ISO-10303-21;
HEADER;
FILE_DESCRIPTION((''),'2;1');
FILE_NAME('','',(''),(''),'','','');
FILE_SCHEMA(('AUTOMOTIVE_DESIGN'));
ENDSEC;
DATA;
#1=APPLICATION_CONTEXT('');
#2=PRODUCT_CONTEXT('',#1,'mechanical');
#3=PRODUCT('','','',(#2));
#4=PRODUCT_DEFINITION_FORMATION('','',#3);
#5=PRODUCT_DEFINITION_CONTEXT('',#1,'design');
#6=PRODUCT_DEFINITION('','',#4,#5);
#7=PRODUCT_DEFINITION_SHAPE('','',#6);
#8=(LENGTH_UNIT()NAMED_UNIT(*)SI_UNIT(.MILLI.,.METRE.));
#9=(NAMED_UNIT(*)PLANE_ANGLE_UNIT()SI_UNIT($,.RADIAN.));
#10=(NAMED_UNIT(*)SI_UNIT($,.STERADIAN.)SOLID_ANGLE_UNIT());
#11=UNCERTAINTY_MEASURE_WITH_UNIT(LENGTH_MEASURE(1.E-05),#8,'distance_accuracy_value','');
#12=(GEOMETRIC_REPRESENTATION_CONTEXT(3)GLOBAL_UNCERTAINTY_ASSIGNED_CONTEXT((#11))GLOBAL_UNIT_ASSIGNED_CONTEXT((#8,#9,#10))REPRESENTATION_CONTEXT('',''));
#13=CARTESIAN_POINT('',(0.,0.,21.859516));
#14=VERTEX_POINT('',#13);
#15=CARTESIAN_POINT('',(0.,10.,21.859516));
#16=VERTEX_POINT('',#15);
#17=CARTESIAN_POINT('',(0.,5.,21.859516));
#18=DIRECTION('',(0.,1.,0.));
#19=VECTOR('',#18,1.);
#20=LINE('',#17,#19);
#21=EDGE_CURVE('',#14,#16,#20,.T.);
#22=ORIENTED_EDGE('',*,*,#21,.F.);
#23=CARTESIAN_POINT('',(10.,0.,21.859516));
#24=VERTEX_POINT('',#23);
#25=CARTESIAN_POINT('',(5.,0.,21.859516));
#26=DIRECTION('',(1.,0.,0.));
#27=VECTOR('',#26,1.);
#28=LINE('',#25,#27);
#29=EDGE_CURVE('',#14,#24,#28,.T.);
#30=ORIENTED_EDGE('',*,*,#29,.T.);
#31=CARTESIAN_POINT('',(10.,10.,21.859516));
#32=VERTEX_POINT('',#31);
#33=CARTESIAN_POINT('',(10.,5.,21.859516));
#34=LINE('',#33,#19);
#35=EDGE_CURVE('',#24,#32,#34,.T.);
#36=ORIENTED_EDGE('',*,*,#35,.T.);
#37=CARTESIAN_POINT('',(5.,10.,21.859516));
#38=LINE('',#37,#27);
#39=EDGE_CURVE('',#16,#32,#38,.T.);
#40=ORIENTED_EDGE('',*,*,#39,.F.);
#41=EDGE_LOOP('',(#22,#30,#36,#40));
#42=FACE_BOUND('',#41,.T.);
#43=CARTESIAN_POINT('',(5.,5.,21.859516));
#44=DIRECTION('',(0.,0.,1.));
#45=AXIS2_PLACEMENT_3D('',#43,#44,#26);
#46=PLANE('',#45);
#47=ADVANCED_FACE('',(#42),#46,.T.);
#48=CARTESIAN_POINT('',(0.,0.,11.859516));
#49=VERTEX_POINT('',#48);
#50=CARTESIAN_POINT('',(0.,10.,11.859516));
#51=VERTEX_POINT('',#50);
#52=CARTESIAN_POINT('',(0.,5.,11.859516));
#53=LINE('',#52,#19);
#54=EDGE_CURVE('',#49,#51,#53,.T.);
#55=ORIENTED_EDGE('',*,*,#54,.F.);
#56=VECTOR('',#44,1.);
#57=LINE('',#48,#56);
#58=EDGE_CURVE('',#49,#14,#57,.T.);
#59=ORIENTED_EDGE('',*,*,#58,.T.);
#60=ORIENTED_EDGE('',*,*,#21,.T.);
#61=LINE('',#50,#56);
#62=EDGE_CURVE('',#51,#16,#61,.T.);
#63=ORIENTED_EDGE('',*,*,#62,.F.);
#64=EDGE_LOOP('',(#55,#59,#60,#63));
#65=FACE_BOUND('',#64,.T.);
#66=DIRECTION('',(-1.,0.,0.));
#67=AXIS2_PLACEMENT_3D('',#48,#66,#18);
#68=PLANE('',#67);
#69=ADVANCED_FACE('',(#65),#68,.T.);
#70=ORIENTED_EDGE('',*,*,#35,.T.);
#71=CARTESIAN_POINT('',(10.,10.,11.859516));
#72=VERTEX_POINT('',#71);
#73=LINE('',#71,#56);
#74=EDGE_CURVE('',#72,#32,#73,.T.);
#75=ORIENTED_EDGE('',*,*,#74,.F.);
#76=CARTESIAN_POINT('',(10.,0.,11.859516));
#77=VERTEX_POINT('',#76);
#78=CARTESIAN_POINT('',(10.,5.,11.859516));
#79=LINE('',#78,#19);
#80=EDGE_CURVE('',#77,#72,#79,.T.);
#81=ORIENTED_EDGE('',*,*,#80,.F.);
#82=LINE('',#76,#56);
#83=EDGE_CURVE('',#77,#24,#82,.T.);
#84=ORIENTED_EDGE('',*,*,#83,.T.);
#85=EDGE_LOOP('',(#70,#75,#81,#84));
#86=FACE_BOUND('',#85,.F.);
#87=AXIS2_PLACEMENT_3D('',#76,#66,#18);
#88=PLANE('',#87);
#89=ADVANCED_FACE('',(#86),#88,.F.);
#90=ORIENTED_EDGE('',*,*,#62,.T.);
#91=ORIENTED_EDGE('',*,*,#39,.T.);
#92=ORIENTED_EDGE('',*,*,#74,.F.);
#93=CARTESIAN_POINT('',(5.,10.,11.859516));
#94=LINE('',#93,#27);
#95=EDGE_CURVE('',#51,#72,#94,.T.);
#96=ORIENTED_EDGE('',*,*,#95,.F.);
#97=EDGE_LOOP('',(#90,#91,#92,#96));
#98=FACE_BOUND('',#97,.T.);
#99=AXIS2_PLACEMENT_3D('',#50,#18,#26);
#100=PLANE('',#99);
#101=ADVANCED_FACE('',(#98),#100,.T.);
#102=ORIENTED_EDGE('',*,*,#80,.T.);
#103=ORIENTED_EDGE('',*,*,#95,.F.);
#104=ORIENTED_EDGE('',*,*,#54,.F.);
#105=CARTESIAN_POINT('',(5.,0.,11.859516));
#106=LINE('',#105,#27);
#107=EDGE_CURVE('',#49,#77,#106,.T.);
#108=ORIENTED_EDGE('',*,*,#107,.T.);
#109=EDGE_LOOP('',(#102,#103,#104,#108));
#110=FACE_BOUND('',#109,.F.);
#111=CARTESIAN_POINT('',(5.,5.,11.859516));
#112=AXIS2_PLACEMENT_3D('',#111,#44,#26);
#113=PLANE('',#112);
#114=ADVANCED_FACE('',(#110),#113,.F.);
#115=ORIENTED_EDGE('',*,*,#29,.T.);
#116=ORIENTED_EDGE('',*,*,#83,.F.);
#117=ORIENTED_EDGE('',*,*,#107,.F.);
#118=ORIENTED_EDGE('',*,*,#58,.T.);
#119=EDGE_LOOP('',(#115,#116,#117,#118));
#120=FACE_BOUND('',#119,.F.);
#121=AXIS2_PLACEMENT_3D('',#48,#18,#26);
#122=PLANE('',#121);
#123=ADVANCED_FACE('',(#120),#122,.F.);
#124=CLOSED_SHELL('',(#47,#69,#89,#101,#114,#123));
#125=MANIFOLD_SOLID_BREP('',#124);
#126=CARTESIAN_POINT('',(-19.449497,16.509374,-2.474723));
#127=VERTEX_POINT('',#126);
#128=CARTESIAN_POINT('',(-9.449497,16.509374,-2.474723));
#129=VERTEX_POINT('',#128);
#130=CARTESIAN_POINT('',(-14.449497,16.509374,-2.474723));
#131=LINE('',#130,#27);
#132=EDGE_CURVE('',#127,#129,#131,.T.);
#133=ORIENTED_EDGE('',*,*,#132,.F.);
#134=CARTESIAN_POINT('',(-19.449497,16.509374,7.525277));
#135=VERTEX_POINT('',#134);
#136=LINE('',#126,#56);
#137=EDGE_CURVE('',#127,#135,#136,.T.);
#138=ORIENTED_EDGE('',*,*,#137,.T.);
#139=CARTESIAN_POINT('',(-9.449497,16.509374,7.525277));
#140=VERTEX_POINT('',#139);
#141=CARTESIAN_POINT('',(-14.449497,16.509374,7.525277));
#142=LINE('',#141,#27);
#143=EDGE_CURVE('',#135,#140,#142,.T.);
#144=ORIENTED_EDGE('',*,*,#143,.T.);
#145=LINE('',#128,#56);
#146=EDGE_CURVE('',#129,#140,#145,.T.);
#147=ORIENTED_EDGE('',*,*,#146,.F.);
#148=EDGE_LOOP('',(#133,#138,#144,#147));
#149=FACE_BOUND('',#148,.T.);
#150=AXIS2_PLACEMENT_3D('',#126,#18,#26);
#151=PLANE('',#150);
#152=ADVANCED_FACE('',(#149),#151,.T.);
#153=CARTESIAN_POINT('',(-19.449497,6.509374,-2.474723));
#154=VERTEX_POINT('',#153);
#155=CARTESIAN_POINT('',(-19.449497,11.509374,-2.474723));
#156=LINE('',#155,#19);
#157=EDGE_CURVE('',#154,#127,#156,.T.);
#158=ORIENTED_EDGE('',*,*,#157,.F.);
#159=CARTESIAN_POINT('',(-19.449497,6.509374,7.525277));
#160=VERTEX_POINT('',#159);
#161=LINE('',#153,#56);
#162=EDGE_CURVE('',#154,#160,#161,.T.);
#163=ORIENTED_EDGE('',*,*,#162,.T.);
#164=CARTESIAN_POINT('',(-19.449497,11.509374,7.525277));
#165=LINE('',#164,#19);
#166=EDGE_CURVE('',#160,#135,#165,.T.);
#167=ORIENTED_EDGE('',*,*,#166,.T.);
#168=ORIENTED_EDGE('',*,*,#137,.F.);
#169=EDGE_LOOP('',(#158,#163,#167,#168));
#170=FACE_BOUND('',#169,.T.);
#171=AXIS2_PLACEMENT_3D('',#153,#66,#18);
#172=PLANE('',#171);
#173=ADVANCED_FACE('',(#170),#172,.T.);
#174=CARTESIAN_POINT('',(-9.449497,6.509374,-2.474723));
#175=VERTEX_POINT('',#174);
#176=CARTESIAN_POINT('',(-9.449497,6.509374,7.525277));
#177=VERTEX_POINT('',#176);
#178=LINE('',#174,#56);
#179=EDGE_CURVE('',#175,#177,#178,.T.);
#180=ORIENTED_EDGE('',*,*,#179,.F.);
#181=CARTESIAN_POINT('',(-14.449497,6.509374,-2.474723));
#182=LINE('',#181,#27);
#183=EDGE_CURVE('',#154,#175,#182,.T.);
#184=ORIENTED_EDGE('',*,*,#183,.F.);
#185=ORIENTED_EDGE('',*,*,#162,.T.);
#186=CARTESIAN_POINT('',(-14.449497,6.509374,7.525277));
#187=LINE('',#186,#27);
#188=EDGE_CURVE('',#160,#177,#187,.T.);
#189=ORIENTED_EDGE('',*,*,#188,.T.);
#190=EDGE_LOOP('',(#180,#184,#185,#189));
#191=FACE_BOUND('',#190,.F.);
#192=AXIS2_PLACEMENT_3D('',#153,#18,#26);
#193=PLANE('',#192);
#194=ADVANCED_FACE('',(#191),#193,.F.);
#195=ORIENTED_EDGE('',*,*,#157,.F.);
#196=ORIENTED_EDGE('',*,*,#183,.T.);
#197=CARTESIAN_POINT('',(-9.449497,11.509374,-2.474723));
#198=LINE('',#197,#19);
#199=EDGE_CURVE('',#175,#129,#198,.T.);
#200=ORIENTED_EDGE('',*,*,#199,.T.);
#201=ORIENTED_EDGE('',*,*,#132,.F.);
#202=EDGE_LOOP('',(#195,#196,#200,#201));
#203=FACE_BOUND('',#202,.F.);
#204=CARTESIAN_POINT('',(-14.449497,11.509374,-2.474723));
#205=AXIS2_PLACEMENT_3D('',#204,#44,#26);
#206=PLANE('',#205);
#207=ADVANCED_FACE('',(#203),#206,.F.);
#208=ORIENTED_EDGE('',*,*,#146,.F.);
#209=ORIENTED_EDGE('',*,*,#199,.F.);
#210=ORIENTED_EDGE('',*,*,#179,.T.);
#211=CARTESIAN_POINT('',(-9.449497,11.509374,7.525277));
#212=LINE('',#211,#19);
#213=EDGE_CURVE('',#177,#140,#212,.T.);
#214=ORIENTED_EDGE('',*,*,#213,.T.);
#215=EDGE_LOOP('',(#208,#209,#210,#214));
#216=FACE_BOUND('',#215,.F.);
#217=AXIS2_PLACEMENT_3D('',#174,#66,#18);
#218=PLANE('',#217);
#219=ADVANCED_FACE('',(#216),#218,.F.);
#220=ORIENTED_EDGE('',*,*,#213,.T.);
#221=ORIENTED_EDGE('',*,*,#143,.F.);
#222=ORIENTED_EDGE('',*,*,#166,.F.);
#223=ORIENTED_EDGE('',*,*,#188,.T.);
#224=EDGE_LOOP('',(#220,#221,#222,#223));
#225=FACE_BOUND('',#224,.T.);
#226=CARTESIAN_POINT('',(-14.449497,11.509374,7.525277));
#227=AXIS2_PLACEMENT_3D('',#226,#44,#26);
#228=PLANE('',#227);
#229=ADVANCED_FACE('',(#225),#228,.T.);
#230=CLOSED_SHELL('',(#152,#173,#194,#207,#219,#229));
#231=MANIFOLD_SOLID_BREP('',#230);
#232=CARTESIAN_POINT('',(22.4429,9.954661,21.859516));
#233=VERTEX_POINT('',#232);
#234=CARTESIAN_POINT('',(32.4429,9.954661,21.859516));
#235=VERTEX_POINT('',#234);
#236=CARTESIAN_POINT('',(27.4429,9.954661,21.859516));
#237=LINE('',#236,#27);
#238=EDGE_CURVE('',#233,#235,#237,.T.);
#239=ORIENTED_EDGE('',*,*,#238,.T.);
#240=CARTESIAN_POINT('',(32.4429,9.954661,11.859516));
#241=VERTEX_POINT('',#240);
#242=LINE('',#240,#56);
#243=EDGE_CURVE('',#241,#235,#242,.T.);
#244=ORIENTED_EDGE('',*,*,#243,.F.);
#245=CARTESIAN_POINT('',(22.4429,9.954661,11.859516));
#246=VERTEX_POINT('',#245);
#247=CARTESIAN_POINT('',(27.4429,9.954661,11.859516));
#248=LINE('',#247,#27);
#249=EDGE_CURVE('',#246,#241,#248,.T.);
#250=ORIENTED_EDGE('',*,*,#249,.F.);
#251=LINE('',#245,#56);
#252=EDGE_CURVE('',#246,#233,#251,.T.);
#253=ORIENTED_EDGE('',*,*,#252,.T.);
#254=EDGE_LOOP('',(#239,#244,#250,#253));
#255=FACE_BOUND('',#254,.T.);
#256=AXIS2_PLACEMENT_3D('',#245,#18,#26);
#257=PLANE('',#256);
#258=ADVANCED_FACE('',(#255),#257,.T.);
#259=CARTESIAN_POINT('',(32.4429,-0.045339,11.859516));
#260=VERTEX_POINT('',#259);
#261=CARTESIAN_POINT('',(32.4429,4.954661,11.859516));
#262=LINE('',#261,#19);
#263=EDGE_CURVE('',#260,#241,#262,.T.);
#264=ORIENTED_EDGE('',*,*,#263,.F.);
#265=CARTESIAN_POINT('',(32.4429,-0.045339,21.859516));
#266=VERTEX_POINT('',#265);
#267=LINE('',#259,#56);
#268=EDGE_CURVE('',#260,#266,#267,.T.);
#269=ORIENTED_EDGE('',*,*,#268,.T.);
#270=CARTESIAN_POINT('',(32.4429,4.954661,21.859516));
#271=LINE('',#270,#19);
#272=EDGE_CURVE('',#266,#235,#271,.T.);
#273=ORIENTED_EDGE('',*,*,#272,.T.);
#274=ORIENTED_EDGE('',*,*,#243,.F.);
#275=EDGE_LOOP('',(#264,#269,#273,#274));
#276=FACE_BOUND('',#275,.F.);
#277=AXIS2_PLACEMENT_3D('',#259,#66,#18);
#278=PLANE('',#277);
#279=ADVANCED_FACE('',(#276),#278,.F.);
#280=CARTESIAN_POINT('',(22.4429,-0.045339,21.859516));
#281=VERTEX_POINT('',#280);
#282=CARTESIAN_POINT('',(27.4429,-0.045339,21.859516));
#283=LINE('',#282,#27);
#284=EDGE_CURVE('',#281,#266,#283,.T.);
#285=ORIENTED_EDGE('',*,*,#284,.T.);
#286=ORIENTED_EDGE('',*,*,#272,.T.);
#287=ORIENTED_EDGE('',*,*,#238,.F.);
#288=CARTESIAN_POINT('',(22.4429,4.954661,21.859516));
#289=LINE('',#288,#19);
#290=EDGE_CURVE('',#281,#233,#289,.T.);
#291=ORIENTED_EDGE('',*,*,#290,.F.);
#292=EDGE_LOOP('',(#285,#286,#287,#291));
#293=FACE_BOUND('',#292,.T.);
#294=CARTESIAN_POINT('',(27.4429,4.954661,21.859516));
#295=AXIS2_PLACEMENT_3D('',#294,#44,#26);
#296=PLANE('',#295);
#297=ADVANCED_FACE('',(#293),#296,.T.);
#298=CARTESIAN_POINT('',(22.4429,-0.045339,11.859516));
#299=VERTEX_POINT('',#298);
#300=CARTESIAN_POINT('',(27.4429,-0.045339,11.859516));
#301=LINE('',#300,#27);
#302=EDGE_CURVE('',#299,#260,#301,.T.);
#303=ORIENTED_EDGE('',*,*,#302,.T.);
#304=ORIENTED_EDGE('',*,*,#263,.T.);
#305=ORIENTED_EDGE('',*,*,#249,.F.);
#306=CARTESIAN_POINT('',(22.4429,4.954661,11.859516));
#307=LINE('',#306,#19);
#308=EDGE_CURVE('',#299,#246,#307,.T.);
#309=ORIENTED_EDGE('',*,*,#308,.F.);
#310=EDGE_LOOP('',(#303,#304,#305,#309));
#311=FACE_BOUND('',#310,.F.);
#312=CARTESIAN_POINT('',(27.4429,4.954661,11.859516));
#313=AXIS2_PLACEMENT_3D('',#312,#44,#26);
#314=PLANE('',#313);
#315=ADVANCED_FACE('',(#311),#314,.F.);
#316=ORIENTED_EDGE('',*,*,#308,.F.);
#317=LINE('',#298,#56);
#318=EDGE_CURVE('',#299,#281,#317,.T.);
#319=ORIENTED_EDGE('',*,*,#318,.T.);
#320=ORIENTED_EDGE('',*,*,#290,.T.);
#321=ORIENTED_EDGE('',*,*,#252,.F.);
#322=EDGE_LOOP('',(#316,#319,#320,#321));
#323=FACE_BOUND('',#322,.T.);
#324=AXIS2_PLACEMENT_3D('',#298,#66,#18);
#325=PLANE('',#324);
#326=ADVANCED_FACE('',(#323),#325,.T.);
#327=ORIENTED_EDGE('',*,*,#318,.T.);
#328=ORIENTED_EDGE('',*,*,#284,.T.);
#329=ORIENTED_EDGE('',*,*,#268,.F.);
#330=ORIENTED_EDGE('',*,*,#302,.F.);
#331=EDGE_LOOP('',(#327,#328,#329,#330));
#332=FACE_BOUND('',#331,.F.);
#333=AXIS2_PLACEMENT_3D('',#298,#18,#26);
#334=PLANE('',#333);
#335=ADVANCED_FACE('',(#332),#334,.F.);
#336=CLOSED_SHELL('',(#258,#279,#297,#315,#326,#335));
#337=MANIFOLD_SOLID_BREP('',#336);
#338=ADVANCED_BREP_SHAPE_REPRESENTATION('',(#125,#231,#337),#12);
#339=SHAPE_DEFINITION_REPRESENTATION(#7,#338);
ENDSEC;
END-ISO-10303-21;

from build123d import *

# Parameters (mm, degrees)
BOX_W        = 10
BOX_H        = 10
BOX_DEPTH    = 10
BOX001_W     = 10
BOX001_H     = 10
BOX001_DEPTH = 10
BOX002_W     = 10
BOX002_H     = 10
BOX002_DEPTH = 10


with BuildPart() as cube:
    # Box → Box (new body)
    with BuildSketch(Plane(origin=(-19.449497, 6.509374, -2.474723), x_dir=(1, 0, 0), z_dir=(0, 0, 1))):
        with Locations((5, 5)):
            Rectangle(BOX_W, BOX_H)
    extrude(amount=BOX_DEPTH)


with BuildPart() as cube001:
    # Box001 → Box001 (new body)
    with BuildSketch(Plane(origin=(22.4429, -0.045339, 11.859516), x_dir=(1, 0, 0), z_dir=(0, 0, 1))):
        with Locations((5, 5)):
            Rectangle(BOX001_W, BOX001_H)
    extrude(amount=BOX001_DEPTH)


with BuildPart() as cube002:
    # Box002 → Box002 (new body)
    with BuildSketch(Plane.XY.offset(11.859516)):
        with Locations((5, 5)):
            Rectangle(BOX002_W, BOX002_H)
    extrude(amount=BOX002_DEPTH)


solid = Compound([cube.part, cube001.part, cube002.part])
